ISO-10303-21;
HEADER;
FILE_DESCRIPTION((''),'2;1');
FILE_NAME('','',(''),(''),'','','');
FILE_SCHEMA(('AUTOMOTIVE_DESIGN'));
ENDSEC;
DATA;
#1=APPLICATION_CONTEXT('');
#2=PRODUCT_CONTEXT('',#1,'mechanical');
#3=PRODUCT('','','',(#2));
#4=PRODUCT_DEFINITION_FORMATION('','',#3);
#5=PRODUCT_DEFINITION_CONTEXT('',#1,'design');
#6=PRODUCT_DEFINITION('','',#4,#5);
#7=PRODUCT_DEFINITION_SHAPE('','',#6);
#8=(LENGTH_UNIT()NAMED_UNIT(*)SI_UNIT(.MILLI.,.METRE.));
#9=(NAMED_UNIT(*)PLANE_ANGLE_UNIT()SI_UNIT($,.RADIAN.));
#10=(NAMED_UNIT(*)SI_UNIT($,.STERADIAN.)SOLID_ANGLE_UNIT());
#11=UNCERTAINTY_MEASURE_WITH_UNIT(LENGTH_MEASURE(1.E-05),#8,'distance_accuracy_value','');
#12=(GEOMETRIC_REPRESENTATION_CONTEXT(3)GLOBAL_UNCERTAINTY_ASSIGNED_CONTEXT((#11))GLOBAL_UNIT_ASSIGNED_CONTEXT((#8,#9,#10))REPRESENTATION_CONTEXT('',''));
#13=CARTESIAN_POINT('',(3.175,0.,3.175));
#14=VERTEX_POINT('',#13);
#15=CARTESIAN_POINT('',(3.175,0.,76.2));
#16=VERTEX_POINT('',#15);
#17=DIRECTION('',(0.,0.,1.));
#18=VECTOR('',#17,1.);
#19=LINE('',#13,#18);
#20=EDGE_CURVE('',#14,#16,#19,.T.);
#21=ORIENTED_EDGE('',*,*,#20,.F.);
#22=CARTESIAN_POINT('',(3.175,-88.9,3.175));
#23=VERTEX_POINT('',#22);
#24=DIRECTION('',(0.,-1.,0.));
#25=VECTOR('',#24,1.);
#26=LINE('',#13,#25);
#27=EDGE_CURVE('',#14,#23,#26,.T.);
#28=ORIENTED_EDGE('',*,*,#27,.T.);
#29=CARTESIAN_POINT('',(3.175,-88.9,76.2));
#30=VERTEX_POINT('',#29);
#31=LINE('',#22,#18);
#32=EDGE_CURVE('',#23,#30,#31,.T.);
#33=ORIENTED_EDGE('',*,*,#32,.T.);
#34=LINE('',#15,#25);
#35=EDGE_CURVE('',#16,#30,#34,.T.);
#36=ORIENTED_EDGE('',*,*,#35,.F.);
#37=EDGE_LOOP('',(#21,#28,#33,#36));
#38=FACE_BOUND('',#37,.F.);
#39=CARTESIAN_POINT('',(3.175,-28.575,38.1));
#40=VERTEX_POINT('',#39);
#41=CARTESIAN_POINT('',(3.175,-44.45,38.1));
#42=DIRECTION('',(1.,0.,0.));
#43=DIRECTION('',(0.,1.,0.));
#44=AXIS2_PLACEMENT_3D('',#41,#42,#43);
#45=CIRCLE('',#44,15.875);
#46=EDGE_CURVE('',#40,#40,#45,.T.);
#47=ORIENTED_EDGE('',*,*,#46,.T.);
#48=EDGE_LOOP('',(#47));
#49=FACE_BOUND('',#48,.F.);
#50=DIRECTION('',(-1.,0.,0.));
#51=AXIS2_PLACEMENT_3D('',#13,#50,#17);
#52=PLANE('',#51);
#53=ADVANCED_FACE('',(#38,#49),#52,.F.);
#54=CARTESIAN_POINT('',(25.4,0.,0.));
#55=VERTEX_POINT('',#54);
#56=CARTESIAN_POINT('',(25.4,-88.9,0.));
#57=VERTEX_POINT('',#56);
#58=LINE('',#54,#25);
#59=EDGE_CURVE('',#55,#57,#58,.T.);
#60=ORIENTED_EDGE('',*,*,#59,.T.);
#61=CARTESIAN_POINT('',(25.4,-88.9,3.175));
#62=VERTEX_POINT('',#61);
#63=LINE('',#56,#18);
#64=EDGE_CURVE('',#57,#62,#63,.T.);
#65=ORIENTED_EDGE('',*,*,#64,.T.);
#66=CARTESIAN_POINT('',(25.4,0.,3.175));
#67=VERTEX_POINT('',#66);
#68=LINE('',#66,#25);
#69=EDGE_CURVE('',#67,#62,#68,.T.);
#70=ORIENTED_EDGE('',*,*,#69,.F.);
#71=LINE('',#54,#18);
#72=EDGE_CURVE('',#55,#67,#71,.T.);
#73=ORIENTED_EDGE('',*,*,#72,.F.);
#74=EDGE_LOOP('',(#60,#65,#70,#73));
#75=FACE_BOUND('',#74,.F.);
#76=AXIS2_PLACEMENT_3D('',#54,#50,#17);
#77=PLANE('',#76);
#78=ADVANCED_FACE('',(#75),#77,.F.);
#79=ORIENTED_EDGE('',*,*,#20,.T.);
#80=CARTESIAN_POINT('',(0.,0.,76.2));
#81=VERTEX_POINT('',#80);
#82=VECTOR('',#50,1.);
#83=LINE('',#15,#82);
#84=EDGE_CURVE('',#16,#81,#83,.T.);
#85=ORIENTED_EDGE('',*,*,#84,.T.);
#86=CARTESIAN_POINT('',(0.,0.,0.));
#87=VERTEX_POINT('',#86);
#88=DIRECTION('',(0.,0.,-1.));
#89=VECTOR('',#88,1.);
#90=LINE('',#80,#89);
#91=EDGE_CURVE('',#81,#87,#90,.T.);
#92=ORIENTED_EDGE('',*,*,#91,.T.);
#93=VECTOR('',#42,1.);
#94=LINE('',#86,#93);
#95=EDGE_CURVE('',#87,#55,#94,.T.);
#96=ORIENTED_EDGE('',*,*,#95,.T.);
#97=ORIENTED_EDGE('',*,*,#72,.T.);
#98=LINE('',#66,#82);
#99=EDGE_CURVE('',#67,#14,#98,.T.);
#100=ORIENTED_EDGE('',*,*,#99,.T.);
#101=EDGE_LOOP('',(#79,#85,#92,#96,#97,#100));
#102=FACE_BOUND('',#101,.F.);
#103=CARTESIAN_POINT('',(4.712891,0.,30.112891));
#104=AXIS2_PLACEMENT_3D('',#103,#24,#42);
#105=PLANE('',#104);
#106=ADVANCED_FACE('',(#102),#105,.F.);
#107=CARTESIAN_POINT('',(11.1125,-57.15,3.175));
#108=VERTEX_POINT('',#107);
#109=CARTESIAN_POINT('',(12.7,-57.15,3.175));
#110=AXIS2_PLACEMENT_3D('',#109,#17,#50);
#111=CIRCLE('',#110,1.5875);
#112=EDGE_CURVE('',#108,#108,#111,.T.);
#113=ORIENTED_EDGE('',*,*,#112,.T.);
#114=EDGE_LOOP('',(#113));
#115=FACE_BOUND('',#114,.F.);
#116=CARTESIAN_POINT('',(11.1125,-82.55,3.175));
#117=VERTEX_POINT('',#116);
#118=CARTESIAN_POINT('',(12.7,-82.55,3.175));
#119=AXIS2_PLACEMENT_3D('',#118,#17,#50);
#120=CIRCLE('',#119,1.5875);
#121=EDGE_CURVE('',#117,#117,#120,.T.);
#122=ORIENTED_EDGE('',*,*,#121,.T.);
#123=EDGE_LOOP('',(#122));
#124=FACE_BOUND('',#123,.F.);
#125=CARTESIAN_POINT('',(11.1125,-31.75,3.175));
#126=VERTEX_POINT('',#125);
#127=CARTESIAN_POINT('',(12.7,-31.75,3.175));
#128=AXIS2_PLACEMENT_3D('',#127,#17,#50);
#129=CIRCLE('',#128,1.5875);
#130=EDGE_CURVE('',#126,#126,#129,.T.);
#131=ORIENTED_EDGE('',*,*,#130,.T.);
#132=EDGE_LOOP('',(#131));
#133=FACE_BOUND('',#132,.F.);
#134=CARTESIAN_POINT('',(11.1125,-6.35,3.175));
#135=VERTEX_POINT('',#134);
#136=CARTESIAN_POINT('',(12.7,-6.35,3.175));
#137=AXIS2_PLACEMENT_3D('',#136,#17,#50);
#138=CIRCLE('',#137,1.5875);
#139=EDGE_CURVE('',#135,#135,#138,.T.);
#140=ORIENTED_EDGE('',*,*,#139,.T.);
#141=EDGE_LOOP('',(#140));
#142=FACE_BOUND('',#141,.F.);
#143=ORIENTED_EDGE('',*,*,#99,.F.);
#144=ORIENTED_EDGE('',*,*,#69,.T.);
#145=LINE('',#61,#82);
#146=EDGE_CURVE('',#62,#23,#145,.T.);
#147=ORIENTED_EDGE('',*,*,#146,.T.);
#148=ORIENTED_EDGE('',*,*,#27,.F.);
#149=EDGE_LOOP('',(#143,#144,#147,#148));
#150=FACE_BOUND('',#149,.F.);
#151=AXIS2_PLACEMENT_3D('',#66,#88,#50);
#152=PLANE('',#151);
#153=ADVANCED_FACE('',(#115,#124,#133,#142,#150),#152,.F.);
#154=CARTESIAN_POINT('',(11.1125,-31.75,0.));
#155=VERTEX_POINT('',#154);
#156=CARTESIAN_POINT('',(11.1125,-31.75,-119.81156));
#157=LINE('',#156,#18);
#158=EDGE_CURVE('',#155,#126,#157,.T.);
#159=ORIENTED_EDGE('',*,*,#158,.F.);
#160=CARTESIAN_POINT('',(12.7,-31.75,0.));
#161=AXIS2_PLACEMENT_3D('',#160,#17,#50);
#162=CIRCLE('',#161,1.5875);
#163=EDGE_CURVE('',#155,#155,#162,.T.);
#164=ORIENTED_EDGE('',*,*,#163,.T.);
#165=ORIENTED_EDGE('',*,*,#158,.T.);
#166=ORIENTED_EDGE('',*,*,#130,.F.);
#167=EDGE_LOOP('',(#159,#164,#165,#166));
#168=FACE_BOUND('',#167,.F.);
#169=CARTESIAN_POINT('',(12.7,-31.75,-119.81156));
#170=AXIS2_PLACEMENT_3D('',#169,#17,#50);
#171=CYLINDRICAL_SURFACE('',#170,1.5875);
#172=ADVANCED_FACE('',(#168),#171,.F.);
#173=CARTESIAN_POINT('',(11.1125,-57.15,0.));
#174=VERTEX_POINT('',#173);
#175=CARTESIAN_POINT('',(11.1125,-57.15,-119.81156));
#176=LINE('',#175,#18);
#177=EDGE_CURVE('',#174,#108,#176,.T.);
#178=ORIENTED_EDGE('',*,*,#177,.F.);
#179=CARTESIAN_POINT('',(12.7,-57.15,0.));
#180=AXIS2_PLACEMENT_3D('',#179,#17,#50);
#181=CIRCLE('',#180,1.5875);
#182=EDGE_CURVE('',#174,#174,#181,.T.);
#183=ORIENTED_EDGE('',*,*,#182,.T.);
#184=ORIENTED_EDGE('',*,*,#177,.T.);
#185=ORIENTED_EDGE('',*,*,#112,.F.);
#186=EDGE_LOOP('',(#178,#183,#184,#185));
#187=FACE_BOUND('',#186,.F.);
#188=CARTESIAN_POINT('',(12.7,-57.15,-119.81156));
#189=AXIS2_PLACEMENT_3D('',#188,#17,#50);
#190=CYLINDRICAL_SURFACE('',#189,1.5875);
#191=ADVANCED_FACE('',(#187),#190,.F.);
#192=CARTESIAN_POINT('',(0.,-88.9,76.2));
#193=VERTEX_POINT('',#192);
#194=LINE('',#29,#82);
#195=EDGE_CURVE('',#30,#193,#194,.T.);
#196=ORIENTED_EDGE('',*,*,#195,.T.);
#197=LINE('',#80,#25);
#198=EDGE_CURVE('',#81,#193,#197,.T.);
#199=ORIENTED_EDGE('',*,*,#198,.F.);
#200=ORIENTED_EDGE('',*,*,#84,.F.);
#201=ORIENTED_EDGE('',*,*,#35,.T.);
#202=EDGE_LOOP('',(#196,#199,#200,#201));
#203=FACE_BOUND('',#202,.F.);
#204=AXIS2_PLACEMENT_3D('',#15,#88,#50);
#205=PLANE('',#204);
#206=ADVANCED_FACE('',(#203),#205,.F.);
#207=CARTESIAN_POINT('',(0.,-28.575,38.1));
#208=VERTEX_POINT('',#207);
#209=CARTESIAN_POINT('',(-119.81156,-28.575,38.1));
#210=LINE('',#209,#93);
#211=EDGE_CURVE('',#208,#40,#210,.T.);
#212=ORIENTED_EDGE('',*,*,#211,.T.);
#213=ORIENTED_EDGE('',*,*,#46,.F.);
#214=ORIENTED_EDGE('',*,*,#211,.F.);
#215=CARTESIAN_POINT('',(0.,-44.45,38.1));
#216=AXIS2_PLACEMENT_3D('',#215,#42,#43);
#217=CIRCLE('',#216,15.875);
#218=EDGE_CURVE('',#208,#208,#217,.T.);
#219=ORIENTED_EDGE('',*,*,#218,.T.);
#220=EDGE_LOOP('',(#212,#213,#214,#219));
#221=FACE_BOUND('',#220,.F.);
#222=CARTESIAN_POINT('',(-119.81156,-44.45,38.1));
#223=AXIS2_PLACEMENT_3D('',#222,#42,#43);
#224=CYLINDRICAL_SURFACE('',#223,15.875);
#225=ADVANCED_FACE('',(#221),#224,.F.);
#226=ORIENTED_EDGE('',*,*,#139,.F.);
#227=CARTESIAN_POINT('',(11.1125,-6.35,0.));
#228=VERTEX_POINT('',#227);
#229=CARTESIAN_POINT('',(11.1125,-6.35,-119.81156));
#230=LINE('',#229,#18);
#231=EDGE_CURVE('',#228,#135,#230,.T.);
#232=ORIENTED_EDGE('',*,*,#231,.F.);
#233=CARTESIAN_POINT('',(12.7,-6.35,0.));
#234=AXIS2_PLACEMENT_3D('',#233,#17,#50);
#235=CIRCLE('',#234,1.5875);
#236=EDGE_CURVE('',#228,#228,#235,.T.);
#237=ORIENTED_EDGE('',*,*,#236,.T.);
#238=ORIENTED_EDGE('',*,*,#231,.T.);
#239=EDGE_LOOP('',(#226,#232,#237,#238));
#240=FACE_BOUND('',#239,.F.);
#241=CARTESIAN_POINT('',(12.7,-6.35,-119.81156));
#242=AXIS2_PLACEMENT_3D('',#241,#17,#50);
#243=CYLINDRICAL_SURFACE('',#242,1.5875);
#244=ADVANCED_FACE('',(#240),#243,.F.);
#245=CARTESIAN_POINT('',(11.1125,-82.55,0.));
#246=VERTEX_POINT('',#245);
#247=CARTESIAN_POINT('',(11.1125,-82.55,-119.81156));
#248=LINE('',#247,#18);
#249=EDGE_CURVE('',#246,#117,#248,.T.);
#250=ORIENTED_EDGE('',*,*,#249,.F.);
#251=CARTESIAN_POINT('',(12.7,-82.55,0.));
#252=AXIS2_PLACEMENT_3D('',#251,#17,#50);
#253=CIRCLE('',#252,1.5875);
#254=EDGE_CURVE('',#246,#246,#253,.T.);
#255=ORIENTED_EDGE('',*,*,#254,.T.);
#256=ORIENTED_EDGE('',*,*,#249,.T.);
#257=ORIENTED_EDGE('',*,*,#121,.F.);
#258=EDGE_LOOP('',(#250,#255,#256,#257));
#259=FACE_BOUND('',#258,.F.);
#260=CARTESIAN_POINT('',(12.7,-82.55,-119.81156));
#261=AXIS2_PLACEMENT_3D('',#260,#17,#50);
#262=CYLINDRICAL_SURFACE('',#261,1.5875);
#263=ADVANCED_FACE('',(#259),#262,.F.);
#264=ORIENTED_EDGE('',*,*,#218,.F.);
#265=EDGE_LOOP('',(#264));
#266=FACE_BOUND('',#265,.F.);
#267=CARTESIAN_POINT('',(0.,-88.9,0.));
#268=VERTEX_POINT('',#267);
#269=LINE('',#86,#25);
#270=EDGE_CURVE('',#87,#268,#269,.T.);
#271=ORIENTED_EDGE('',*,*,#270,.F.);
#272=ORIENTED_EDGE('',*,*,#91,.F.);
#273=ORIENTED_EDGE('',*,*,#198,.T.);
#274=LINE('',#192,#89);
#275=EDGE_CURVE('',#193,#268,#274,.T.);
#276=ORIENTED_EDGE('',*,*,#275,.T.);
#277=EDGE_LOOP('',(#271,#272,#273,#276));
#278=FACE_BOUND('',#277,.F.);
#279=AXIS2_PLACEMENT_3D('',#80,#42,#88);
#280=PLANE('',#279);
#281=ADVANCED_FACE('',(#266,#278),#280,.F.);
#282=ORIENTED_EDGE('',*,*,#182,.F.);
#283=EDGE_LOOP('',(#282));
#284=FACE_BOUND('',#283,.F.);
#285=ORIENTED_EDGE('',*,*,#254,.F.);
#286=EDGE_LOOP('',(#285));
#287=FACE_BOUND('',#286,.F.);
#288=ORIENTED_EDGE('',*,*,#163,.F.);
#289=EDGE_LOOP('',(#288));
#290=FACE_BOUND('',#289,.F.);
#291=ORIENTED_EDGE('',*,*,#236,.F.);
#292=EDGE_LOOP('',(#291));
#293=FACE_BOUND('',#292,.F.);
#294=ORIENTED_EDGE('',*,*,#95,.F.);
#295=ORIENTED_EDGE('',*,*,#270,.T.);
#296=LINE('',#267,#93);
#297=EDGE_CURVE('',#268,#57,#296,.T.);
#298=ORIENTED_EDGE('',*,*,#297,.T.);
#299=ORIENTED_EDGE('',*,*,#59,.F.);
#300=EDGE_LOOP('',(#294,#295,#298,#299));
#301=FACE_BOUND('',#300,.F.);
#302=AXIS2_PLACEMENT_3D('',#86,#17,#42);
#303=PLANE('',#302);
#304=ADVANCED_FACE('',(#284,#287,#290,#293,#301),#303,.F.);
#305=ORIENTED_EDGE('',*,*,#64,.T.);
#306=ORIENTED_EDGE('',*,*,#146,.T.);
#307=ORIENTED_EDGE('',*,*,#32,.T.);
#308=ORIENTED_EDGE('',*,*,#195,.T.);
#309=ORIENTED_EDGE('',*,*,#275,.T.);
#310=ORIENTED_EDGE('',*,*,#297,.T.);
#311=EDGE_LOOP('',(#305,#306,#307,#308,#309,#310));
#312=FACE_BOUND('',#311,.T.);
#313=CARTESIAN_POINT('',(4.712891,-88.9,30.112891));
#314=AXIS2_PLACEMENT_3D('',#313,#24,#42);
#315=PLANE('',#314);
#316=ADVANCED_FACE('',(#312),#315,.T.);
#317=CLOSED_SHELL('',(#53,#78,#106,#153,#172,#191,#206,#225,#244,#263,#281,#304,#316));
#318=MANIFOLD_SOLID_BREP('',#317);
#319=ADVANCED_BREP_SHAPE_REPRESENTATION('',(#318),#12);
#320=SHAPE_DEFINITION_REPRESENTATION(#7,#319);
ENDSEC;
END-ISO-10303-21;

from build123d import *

# Parameters (mm, degrees)
F1_DEPTH = 88.9
F3_D     = 31.75
F5_D     = 3.175


with BuildPart() as f1:
    # F0 (on Front) → F1 (new body)
    with BuildSketch(Plane.XZ):
        Polygon((0, 76.2), (0, 0), (25.4, 0), (25.4, 3.175), (3.175, 3.175), (3.175, 76.2), align=None)
    extrude(amount=F1_DEPTH)

    # F3 (through all)
    with Locations(Plane(origin=(0, 0, 0), x_dir=(0, -1, 0), z_dir=(-1, 0, 0))):
        with Locations((44.45, 38.1)):
            Hole(F3_D / 2)

    # F5 (through all)
    with Locations(Plane(origin=(0, 0, 0), x_dir=(1, 0, 0), z_dir=(0, 0, -1))):
        with Locations((12.7, 82.55), (12.7, 57.15), (12.7, 31.75), (12.7, 6.35)):
            Hole(F5_D / 2)


solid = f1.part
